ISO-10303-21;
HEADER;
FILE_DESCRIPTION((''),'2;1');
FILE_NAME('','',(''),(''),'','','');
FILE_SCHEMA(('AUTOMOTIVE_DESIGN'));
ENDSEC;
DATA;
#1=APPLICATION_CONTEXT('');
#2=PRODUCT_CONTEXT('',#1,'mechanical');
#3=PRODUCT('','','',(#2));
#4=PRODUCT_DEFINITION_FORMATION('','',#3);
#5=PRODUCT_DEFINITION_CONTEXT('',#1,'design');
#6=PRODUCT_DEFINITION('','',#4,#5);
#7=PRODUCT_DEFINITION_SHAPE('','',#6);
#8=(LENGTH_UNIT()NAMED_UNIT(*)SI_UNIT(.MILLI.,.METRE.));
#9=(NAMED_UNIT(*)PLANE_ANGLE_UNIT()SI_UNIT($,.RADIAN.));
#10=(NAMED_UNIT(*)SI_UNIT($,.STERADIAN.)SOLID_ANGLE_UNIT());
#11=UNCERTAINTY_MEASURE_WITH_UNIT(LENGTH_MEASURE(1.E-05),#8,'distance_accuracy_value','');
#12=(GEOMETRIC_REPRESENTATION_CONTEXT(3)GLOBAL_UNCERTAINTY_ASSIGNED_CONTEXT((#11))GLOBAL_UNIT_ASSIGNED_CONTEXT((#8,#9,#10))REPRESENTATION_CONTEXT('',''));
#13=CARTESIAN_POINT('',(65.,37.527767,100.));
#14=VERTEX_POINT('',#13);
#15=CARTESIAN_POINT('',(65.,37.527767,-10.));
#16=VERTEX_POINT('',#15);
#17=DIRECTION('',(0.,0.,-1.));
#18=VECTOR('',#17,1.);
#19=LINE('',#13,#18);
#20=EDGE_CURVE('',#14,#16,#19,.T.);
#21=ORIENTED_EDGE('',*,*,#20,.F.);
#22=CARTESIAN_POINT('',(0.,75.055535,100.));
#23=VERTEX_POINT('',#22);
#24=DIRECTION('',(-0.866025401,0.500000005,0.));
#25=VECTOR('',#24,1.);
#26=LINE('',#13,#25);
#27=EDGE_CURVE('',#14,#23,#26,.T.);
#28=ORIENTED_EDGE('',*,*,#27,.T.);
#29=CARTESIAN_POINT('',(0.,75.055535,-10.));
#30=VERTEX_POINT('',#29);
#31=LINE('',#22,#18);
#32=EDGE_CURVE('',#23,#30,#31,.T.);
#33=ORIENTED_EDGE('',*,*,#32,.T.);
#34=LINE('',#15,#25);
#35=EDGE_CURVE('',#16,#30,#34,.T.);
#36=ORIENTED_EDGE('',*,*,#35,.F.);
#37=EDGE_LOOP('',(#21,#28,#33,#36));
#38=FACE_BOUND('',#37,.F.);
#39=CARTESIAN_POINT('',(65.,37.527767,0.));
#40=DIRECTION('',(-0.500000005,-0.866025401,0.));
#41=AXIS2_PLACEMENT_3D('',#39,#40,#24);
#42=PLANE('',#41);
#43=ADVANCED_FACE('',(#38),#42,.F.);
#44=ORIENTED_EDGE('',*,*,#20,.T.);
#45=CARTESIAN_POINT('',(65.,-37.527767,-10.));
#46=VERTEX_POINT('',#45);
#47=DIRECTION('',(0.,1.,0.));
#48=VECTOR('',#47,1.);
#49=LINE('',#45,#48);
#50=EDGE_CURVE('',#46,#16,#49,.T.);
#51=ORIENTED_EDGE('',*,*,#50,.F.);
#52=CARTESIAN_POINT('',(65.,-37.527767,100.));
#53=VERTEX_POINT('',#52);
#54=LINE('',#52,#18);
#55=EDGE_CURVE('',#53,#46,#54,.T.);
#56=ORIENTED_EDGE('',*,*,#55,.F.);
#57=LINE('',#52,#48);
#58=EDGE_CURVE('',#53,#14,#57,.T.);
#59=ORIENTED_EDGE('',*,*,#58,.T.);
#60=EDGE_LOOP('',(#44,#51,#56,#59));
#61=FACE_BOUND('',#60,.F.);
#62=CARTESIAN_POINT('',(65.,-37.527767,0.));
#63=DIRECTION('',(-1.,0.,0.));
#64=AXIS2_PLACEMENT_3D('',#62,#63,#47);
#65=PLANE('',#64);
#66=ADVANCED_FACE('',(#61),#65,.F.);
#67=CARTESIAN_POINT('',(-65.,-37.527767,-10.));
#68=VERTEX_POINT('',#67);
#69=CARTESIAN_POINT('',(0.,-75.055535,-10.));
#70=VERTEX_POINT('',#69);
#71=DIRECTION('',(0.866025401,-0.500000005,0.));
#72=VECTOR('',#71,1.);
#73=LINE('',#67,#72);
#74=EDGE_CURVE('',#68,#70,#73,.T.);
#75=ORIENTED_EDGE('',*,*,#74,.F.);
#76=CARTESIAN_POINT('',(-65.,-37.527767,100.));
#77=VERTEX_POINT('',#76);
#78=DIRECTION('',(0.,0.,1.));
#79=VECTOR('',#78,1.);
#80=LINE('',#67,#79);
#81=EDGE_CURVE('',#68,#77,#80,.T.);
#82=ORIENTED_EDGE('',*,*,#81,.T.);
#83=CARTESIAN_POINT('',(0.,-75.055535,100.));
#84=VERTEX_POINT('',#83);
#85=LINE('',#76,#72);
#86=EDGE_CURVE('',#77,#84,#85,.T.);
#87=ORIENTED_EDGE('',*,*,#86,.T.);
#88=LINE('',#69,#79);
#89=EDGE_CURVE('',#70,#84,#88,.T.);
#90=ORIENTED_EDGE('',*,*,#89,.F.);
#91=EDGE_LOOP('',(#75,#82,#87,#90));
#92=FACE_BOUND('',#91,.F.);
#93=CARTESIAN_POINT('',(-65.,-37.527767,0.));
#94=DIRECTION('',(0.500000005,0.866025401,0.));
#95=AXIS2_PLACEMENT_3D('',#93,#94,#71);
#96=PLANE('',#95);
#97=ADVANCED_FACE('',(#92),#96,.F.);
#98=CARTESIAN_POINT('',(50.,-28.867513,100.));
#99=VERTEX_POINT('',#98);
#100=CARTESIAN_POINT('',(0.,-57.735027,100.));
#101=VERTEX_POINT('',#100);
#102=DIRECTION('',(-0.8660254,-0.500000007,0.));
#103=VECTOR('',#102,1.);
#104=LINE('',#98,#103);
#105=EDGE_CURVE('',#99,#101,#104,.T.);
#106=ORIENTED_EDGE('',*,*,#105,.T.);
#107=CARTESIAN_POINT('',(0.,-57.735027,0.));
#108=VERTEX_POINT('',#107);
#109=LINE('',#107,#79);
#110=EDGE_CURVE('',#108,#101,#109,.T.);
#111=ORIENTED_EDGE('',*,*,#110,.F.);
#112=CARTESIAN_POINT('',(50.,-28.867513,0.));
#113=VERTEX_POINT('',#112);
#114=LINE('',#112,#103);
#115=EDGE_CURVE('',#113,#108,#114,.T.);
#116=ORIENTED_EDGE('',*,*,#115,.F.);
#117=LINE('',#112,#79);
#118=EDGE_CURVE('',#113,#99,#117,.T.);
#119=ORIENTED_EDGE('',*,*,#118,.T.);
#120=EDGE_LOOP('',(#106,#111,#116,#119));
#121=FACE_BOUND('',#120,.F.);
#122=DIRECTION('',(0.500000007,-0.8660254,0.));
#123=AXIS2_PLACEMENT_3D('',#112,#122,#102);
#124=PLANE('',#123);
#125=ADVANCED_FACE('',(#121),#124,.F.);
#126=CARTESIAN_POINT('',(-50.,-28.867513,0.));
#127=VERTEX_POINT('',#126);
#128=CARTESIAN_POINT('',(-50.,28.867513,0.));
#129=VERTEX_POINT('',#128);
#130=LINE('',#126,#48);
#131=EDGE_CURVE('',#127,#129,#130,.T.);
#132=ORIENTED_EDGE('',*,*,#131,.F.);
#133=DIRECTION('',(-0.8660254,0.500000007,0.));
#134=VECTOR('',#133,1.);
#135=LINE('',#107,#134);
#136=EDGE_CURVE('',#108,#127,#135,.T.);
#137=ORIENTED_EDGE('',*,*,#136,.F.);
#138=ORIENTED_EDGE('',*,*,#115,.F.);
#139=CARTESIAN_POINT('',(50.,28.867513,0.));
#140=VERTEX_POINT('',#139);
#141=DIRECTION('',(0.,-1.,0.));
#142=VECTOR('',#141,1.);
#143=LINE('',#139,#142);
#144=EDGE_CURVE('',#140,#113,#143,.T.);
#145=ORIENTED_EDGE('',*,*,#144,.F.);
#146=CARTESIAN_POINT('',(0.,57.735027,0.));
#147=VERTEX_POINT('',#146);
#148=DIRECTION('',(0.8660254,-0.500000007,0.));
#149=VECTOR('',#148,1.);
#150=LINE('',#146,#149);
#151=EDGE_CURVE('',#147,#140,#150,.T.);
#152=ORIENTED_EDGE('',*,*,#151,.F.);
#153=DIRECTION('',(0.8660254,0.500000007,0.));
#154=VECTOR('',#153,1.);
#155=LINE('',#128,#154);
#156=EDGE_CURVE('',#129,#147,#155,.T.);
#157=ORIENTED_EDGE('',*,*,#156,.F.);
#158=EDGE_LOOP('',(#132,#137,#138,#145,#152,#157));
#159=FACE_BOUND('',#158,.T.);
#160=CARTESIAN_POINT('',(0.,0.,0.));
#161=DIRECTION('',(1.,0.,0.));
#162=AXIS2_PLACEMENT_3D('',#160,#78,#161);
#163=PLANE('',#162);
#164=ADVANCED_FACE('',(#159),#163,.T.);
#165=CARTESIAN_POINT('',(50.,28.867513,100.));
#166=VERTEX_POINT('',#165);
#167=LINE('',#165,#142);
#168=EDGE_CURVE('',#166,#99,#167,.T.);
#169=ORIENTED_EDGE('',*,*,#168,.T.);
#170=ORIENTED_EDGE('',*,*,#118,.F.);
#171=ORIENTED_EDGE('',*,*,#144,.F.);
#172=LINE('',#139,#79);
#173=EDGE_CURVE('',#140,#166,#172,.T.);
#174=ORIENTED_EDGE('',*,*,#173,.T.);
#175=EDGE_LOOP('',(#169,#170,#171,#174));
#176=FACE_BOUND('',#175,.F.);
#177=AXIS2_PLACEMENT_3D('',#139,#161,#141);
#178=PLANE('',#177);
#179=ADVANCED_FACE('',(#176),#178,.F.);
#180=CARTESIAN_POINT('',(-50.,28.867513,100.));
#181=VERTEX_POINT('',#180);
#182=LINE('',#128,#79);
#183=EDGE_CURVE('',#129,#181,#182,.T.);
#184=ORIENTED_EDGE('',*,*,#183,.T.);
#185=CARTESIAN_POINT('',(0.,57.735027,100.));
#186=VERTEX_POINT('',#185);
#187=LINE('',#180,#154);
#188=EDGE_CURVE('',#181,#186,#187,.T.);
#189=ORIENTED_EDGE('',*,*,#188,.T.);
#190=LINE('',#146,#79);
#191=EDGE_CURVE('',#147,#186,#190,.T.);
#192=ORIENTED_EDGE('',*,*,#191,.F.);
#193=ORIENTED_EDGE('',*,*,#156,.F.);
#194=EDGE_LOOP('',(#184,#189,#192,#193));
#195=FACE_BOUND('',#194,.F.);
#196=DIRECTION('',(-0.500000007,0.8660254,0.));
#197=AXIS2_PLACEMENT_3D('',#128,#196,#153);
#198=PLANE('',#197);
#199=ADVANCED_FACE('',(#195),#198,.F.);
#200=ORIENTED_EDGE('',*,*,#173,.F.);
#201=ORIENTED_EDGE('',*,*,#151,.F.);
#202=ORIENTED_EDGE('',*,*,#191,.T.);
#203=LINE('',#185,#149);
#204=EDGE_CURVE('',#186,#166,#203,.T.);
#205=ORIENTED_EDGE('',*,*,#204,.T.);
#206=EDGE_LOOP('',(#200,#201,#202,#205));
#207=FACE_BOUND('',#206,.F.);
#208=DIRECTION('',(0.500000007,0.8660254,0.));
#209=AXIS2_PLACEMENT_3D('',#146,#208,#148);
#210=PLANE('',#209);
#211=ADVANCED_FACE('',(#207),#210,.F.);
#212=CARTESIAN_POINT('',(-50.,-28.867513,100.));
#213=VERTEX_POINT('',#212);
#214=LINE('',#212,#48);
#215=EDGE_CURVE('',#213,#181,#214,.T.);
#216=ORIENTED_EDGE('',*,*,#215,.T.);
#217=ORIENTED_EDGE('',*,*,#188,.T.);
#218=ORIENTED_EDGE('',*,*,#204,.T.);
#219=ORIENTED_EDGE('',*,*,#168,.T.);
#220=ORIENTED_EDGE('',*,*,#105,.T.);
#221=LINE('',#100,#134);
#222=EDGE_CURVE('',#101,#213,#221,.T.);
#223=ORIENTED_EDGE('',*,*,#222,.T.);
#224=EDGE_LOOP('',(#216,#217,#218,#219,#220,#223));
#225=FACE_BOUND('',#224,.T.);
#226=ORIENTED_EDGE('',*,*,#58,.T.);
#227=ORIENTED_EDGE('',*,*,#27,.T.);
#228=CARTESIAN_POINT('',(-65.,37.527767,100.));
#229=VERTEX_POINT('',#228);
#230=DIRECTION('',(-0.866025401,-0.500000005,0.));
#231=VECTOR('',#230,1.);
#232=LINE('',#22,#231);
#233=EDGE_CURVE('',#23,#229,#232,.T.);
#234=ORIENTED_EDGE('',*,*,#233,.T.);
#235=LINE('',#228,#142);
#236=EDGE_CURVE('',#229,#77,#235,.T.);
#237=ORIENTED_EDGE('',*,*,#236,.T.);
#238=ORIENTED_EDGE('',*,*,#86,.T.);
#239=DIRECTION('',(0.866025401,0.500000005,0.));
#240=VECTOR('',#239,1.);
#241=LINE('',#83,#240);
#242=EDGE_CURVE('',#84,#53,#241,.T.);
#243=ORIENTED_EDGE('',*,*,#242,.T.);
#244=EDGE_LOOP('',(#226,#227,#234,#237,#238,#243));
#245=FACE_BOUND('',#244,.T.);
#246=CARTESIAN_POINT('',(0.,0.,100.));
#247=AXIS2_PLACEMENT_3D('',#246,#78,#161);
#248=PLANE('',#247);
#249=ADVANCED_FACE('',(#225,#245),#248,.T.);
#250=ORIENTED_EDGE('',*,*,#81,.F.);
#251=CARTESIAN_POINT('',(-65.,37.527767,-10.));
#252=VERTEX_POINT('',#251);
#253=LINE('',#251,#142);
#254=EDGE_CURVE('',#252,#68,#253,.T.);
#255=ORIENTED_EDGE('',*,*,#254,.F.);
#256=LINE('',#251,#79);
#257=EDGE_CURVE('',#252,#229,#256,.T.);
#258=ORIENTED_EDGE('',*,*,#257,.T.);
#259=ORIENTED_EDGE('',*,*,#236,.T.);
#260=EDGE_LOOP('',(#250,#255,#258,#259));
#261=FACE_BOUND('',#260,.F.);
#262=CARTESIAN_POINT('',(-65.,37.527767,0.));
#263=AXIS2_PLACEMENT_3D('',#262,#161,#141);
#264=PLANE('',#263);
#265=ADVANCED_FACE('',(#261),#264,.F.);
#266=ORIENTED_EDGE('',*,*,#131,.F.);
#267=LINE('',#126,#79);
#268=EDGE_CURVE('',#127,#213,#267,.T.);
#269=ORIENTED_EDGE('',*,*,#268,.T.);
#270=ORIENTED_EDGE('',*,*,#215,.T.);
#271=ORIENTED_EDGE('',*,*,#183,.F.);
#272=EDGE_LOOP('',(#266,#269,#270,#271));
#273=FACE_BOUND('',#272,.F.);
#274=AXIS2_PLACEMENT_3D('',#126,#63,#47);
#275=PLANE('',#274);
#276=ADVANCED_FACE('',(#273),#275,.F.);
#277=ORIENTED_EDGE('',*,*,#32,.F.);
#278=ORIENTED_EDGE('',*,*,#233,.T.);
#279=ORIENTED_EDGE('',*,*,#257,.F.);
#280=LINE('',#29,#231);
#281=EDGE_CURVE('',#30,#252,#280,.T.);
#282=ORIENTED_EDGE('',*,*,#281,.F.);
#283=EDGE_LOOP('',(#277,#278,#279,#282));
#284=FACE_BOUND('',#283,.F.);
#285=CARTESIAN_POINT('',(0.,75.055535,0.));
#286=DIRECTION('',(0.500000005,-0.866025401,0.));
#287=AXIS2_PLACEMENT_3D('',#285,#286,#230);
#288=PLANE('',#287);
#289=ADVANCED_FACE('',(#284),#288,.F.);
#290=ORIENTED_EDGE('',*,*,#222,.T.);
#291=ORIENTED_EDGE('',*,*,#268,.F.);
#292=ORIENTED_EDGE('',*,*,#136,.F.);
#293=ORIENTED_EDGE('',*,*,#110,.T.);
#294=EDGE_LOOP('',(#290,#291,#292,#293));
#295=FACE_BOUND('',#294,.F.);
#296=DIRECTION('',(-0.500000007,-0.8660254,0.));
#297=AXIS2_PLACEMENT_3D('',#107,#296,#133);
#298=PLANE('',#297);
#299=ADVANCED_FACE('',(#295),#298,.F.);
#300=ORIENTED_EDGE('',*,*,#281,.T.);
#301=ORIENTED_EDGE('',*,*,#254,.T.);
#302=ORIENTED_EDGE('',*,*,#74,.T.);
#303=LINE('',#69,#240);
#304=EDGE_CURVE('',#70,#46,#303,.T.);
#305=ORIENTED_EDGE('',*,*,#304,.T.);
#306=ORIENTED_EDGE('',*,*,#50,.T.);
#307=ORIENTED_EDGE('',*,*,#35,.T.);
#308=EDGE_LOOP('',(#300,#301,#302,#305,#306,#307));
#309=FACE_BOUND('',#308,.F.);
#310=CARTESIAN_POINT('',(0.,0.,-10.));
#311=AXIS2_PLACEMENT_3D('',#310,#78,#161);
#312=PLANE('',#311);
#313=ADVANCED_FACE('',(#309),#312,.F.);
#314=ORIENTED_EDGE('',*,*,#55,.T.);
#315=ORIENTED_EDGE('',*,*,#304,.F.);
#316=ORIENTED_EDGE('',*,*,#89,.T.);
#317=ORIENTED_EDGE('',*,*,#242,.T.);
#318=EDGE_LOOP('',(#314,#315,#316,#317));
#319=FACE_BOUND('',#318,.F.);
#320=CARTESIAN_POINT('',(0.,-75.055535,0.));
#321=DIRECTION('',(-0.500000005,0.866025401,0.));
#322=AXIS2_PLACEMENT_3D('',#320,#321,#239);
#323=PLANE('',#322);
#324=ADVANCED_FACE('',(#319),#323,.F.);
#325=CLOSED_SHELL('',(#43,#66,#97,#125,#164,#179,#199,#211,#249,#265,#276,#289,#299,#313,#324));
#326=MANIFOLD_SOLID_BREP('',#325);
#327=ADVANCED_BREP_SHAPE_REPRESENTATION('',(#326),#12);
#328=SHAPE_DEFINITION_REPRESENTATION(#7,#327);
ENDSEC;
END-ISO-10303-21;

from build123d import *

# Parameters (mm, degrees)
F1_DEPTH = 10
F2_DEPTH = 100


with BuildPart() as f1:
    # F0 (on Top) → F1 (new body)
    with BuildSketch(Plane.XY):
        Polygon((0, 75.055535), (-65, 37.527767), (-65, -37.527767), (0, -75.055535), (65, -37.527767), (65, 37.527767), align=None)
        Polygon((0, 57.735027), (50, 28.867513), (50, -28.867513), (0, -57.735027), (-50, -28.867513), (-50, 28.867513), align=None, mode=Mode.SUBTRACT)
        Polygon((50, -28.867513), (50, 28.867513), (0, 57.735027), (-50, 28.867513), (-50, -28.867513), (0, -57.735027), align=None)
    extrude(amount=-F1_DEPTH)

    # F0 (on Top) → F2 (join)
    with BuildSketch(Plane.XY):
        Polygon((0, 75.055535), (-65, 37.527767), (-65, -37.527767), (0, -75.055535), (65, -37.527767), (65, 37.527767), align=None)
        Polygon((0, 57.735027), (50, 28.867513), (50, -28.867513), (0, -57.735027), (-50, -28.867513), (-50, 28.867513), align=None, mode=Mode.SUBTRACT)
    extrude(amount=F2_DEPTH)


solid = f1.part
